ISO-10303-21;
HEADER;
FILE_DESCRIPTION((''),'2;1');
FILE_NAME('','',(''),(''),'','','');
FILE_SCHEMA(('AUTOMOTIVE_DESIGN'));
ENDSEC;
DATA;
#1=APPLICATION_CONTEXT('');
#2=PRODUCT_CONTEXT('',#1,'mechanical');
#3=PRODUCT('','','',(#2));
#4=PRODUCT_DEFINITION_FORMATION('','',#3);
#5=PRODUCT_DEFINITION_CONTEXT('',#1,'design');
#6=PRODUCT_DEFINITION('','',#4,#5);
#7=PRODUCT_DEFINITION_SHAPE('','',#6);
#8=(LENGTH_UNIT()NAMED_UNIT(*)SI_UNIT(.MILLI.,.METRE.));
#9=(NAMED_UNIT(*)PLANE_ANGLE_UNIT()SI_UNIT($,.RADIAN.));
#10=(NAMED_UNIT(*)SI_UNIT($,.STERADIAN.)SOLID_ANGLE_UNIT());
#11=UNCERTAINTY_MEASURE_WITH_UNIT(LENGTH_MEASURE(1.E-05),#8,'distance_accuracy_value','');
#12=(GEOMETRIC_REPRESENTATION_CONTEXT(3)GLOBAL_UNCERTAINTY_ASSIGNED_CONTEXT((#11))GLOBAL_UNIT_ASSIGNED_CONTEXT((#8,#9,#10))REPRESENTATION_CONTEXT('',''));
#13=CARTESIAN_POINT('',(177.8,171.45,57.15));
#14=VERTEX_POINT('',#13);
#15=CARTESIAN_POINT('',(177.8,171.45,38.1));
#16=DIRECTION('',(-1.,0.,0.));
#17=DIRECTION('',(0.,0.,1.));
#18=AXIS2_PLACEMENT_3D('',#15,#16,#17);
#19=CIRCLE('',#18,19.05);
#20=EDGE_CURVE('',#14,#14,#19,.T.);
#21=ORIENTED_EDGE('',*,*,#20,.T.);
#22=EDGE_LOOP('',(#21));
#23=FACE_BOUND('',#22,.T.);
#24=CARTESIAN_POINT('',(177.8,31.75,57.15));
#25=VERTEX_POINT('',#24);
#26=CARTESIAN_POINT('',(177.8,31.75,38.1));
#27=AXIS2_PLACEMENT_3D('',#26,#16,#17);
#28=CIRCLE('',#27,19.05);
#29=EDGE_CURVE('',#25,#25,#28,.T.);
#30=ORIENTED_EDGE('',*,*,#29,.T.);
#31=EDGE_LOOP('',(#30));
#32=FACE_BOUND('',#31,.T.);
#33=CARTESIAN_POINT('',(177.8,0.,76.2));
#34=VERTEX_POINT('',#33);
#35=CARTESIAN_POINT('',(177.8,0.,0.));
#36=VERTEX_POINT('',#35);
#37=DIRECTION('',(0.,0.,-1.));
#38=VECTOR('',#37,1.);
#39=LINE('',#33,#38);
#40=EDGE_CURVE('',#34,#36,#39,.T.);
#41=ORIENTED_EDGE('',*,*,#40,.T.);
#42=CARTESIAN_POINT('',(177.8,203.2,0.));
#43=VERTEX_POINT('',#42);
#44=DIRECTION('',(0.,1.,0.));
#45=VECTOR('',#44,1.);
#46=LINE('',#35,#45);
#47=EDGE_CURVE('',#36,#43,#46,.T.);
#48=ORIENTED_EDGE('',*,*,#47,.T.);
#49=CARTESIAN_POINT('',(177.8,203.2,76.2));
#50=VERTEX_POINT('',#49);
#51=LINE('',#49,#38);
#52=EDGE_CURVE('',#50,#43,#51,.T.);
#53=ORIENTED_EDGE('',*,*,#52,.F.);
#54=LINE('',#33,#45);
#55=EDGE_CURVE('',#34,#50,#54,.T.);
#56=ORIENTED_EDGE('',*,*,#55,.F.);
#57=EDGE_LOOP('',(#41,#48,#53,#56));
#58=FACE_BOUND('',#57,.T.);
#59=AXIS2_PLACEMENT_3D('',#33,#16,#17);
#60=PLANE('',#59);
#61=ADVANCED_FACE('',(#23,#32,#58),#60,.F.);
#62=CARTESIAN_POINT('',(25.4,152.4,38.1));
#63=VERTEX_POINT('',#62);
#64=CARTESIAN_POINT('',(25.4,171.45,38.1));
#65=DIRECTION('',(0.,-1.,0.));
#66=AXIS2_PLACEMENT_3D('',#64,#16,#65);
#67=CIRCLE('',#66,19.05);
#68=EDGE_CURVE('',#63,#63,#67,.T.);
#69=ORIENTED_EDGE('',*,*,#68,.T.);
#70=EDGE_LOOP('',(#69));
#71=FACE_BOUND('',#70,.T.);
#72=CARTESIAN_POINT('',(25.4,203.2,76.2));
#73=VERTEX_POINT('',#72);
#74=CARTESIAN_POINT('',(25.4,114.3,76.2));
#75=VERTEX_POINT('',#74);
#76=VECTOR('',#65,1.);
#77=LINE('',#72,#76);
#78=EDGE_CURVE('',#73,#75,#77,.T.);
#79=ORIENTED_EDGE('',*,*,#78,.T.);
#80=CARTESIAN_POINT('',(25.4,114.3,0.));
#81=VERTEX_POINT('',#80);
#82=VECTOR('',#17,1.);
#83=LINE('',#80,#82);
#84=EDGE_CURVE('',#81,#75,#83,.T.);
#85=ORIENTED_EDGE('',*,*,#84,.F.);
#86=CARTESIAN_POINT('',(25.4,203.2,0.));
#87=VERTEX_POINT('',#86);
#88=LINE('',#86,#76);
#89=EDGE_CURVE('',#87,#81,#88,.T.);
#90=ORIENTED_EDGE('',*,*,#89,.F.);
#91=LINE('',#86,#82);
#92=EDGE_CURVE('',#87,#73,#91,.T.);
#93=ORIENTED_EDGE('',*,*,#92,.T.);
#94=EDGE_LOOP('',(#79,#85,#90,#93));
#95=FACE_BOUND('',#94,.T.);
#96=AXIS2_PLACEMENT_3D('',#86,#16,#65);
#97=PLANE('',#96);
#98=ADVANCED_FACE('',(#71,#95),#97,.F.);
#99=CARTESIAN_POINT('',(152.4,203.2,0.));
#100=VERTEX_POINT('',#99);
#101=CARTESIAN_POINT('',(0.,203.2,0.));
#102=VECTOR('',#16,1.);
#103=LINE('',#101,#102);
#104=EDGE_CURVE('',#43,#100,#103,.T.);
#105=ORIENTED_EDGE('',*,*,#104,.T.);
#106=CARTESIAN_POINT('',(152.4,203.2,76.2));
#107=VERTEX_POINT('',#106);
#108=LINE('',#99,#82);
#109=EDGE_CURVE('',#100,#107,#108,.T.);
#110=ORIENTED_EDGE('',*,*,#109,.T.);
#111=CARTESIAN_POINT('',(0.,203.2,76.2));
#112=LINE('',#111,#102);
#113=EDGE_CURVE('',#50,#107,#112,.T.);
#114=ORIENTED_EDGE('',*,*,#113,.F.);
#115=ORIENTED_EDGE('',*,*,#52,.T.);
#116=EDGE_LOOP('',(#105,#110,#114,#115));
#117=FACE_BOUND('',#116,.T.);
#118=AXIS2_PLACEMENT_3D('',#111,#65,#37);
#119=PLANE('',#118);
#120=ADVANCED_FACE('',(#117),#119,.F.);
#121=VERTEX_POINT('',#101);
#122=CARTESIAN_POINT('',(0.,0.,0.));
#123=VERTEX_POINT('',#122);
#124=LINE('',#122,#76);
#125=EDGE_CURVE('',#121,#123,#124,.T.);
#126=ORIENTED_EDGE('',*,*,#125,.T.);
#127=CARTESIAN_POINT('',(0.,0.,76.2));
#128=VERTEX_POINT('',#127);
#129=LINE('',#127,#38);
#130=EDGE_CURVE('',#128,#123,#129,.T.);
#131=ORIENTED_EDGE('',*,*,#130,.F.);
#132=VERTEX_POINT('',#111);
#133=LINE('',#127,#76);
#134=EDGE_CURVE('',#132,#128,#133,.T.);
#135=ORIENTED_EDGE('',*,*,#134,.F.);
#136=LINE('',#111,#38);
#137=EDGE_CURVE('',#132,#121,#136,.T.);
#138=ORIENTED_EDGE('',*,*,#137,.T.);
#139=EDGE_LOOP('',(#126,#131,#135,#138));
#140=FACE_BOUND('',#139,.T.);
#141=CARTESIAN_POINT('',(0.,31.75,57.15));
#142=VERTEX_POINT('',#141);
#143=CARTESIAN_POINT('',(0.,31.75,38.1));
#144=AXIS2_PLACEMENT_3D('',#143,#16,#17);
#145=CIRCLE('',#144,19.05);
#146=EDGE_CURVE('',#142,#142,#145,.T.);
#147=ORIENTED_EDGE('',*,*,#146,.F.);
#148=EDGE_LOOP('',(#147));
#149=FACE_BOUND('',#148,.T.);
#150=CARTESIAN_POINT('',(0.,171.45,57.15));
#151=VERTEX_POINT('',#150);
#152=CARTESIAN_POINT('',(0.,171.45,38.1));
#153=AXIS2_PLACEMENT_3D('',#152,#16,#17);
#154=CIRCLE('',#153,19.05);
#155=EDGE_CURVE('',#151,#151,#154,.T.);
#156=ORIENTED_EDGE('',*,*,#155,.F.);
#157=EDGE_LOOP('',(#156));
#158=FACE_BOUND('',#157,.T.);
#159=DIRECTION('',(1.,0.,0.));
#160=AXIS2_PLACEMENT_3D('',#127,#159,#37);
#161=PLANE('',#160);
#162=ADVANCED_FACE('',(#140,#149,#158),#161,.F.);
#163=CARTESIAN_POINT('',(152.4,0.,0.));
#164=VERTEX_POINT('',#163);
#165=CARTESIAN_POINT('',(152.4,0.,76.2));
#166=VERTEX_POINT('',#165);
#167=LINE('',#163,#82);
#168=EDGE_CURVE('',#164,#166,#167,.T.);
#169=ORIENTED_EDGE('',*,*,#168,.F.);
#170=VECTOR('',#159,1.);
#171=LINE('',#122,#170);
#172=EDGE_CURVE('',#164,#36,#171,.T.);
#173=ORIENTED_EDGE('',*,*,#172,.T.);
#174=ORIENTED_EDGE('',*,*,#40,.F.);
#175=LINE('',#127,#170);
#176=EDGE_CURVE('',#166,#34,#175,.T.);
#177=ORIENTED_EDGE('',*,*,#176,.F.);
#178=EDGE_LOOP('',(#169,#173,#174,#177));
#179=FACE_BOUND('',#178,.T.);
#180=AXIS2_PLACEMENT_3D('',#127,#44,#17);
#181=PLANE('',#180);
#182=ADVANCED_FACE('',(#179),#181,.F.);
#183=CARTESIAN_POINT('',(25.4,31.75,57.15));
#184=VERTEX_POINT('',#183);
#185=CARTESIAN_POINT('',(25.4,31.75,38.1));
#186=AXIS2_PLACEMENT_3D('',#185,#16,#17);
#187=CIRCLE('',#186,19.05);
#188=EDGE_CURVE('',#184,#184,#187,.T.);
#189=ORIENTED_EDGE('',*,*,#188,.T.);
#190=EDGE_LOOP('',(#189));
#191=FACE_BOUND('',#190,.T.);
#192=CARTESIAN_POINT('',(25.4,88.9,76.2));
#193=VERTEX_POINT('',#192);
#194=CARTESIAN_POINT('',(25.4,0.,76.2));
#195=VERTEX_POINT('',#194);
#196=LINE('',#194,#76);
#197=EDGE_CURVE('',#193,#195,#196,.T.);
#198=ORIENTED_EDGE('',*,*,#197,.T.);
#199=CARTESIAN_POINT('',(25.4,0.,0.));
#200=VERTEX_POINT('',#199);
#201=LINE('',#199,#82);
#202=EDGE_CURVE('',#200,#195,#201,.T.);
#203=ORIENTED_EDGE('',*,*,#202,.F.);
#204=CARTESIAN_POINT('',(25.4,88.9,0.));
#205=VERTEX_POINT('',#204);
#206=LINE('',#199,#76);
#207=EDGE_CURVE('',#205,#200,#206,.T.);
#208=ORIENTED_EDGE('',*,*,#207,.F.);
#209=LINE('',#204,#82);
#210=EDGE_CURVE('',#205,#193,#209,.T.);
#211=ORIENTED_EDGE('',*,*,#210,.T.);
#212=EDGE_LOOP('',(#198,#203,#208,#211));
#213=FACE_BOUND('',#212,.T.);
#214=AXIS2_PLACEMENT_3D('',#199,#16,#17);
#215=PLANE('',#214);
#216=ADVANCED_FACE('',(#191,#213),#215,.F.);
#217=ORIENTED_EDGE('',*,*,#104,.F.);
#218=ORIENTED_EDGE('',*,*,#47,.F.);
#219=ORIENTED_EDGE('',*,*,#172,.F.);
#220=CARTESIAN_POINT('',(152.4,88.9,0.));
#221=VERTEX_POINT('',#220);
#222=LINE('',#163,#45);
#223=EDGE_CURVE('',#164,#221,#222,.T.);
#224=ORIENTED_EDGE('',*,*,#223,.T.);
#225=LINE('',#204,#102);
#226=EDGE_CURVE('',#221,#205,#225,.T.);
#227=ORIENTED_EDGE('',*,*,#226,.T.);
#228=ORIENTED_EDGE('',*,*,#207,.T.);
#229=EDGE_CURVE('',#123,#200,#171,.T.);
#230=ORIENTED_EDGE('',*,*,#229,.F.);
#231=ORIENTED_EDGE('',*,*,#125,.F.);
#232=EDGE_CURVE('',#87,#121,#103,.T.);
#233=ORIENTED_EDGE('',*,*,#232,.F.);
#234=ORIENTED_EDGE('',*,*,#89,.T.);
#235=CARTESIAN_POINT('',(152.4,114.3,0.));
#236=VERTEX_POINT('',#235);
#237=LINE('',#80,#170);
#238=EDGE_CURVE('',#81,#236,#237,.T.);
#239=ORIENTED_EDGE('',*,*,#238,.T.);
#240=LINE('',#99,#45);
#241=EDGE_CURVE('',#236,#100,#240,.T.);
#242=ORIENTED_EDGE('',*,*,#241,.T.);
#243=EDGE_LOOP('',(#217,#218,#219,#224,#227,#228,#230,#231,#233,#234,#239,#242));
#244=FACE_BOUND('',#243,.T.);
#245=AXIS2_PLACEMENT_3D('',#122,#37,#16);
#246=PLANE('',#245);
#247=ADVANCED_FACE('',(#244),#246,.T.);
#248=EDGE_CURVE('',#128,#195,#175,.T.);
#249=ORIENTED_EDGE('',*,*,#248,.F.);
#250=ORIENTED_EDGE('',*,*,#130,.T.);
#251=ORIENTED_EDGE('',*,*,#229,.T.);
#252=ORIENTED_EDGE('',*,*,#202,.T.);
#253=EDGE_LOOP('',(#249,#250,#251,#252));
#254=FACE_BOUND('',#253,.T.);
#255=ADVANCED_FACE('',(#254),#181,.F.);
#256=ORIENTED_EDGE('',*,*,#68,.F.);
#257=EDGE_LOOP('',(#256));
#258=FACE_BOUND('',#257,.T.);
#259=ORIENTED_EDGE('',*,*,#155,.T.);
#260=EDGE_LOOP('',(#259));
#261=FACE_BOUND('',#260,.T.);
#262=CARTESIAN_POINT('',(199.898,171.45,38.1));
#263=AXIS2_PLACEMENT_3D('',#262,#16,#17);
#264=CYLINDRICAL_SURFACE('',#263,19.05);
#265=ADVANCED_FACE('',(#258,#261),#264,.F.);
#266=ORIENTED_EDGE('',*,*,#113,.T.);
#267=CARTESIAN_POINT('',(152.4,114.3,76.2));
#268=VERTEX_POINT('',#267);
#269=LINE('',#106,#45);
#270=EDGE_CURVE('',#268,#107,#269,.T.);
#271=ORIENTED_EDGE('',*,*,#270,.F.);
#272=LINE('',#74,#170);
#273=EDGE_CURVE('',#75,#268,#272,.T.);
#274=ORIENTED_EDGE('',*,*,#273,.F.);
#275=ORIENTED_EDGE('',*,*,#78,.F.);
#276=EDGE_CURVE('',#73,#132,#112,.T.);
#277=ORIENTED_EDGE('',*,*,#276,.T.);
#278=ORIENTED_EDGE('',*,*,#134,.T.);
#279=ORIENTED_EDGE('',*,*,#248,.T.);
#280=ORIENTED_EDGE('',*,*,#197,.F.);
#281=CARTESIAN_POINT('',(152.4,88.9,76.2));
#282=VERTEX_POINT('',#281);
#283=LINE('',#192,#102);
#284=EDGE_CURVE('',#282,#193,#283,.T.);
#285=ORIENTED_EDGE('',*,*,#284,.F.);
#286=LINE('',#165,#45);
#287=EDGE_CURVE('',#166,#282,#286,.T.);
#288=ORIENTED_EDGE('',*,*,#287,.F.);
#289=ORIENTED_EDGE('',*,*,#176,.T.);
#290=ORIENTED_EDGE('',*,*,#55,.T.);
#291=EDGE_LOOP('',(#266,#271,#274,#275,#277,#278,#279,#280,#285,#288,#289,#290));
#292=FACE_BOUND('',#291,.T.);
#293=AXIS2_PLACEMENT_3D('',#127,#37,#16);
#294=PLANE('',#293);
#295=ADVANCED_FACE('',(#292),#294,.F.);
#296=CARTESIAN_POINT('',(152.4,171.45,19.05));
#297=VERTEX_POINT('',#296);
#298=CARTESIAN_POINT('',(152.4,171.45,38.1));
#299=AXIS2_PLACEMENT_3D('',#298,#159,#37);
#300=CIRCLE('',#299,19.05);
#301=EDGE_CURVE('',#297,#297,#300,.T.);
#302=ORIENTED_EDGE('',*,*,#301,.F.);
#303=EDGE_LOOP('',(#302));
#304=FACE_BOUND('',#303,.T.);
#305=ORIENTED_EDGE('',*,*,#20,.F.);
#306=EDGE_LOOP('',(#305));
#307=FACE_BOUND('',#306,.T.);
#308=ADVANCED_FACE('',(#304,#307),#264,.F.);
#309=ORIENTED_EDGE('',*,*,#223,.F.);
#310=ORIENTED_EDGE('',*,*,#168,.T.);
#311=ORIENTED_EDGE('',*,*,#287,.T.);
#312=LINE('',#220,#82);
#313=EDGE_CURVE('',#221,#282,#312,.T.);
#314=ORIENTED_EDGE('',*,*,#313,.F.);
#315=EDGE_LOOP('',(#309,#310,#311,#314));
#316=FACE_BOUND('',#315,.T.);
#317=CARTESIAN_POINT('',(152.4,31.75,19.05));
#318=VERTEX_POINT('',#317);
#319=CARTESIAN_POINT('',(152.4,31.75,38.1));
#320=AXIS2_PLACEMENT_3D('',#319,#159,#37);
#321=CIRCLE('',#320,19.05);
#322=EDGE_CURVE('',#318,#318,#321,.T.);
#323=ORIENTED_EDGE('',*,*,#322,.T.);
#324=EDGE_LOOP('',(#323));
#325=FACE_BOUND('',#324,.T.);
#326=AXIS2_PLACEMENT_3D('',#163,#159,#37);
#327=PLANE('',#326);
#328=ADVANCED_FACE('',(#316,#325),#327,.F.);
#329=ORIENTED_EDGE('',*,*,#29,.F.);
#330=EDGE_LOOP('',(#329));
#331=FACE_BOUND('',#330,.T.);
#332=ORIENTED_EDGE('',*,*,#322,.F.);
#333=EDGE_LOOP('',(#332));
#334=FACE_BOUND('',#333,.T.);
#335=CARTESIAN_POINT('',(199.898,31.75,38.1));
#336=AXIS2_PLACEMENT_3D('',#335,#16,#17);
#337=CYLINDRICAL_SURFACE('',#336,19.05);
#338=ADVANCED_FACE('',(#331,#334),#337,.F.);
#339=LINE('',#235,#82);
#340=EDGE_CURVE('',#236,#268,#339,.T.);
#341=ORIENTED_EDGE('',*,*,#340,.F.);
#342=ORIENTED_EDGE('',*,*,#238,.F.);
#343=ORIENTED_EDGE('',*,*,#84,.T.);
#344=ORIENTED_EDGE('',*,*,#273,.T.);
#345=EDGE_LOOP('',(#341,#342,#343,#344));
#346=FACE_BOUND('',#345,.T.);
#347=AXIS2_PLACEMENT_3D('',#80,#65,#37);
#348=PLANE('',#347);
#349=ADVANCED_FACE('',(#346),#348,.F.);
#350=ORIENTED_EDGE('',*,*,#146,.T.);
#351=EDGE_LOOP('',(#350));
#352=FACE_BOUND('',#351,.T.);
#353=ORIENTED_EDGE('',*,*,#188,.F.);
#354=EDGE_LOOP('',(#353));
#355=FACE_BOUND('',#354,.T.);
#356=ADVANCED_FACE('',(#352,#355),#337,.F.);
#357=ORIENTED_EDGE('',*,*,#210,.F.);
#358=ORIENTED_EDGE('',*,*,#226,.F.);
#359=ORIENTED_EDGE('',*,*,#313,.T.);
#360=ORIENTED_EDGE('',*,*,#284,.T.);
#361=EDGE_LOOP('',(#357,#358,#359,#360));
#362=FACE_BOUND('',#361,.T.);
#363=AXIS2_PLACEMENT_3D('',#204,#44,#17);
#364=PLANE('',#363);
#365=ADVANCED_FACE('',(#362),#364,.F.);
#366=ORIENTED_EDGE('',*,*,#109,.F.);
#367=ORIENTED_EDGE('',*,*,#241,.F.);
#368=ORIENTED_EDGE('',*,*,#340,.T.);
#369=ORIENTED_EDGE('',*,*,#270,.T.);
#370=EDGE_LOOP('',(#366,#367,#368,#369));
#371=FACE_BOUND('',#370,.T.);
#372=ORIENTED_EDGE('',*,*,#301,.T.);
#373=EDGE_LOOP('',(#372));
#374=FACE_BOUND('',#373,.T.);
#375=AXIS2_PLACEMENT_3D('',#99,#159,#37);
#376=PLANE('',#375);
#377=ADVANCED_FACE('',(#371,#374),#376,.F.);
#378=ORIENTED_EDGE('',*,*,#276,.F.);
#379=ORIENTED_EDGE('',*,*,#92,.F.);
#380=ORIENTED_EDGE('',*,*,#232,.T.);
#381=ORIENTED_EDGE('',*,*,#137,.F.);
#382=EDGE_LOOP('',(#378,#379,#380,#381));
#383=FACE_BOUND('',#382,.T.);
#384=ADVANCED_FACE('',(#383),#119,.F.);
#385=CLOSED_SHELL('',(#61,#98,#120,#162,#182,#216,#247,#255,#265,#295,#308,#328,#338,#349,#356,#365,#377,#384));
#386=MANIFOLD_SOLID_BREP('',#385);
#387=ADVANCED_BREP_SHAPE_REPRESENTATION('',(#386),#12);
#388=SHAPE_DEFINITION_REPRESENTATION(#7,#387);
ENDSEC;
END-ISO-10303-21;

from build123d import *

# Parameters (mm, degrees)
SKETCH1_W           = 177.8
SKETCH1_H           = 203.2
BOSS_EXTRUDE2_DEPTH = 76.2
SKETCH3_W           = 127
SKETCH3_H           = 88.9
CUT_EXTRUDE1_DEPTH  = 76.2
SKETCH4_R           = 19.05
CUT_EXTRUDE3_DEPTH  = 199.898


with BuildPart() as part:
    # Sketch1 → Boss-Extrude2 (new body)
    with BuildSketch(Plane.XY):
        with Locations((88.9, 101.6)):
            Rectangle(SKETCH1_W, SKETCH1_H)
    extrude(amount=BOSS_EXTRUDE2_DEPTH)

    # Sketch3 → Cut-Extrude1 (cut)
    with BuildSketch(Plane.XY.offset(76.2)):
        with Locations((88.9, 158.75)):
            Rectangle(SKETCH3_W, SKETCH3_H)
        with Locations((88.9, 44.45)):
            Rectangle(SKETCH3_W, SKETCH3_H)
    extrude(amount=-CUT_EXTRUDE1_DEPTH, mode=Mode.SUBTRACT)

    # Sketch4 → Cut-Extrude3 (cut)
    with BuildSketch(Plane.ZY):
        with Locations((38.1, 171.45)):
            Circle(SKETCH4_R)
        with Locations((38.1, 31.75)):
            Circle(SKETCH4_R)
    extrude(amount=-CUT_EXTRUDE3_DEPTH, mode=Mode.SUBTRACT)


solid = part.part
